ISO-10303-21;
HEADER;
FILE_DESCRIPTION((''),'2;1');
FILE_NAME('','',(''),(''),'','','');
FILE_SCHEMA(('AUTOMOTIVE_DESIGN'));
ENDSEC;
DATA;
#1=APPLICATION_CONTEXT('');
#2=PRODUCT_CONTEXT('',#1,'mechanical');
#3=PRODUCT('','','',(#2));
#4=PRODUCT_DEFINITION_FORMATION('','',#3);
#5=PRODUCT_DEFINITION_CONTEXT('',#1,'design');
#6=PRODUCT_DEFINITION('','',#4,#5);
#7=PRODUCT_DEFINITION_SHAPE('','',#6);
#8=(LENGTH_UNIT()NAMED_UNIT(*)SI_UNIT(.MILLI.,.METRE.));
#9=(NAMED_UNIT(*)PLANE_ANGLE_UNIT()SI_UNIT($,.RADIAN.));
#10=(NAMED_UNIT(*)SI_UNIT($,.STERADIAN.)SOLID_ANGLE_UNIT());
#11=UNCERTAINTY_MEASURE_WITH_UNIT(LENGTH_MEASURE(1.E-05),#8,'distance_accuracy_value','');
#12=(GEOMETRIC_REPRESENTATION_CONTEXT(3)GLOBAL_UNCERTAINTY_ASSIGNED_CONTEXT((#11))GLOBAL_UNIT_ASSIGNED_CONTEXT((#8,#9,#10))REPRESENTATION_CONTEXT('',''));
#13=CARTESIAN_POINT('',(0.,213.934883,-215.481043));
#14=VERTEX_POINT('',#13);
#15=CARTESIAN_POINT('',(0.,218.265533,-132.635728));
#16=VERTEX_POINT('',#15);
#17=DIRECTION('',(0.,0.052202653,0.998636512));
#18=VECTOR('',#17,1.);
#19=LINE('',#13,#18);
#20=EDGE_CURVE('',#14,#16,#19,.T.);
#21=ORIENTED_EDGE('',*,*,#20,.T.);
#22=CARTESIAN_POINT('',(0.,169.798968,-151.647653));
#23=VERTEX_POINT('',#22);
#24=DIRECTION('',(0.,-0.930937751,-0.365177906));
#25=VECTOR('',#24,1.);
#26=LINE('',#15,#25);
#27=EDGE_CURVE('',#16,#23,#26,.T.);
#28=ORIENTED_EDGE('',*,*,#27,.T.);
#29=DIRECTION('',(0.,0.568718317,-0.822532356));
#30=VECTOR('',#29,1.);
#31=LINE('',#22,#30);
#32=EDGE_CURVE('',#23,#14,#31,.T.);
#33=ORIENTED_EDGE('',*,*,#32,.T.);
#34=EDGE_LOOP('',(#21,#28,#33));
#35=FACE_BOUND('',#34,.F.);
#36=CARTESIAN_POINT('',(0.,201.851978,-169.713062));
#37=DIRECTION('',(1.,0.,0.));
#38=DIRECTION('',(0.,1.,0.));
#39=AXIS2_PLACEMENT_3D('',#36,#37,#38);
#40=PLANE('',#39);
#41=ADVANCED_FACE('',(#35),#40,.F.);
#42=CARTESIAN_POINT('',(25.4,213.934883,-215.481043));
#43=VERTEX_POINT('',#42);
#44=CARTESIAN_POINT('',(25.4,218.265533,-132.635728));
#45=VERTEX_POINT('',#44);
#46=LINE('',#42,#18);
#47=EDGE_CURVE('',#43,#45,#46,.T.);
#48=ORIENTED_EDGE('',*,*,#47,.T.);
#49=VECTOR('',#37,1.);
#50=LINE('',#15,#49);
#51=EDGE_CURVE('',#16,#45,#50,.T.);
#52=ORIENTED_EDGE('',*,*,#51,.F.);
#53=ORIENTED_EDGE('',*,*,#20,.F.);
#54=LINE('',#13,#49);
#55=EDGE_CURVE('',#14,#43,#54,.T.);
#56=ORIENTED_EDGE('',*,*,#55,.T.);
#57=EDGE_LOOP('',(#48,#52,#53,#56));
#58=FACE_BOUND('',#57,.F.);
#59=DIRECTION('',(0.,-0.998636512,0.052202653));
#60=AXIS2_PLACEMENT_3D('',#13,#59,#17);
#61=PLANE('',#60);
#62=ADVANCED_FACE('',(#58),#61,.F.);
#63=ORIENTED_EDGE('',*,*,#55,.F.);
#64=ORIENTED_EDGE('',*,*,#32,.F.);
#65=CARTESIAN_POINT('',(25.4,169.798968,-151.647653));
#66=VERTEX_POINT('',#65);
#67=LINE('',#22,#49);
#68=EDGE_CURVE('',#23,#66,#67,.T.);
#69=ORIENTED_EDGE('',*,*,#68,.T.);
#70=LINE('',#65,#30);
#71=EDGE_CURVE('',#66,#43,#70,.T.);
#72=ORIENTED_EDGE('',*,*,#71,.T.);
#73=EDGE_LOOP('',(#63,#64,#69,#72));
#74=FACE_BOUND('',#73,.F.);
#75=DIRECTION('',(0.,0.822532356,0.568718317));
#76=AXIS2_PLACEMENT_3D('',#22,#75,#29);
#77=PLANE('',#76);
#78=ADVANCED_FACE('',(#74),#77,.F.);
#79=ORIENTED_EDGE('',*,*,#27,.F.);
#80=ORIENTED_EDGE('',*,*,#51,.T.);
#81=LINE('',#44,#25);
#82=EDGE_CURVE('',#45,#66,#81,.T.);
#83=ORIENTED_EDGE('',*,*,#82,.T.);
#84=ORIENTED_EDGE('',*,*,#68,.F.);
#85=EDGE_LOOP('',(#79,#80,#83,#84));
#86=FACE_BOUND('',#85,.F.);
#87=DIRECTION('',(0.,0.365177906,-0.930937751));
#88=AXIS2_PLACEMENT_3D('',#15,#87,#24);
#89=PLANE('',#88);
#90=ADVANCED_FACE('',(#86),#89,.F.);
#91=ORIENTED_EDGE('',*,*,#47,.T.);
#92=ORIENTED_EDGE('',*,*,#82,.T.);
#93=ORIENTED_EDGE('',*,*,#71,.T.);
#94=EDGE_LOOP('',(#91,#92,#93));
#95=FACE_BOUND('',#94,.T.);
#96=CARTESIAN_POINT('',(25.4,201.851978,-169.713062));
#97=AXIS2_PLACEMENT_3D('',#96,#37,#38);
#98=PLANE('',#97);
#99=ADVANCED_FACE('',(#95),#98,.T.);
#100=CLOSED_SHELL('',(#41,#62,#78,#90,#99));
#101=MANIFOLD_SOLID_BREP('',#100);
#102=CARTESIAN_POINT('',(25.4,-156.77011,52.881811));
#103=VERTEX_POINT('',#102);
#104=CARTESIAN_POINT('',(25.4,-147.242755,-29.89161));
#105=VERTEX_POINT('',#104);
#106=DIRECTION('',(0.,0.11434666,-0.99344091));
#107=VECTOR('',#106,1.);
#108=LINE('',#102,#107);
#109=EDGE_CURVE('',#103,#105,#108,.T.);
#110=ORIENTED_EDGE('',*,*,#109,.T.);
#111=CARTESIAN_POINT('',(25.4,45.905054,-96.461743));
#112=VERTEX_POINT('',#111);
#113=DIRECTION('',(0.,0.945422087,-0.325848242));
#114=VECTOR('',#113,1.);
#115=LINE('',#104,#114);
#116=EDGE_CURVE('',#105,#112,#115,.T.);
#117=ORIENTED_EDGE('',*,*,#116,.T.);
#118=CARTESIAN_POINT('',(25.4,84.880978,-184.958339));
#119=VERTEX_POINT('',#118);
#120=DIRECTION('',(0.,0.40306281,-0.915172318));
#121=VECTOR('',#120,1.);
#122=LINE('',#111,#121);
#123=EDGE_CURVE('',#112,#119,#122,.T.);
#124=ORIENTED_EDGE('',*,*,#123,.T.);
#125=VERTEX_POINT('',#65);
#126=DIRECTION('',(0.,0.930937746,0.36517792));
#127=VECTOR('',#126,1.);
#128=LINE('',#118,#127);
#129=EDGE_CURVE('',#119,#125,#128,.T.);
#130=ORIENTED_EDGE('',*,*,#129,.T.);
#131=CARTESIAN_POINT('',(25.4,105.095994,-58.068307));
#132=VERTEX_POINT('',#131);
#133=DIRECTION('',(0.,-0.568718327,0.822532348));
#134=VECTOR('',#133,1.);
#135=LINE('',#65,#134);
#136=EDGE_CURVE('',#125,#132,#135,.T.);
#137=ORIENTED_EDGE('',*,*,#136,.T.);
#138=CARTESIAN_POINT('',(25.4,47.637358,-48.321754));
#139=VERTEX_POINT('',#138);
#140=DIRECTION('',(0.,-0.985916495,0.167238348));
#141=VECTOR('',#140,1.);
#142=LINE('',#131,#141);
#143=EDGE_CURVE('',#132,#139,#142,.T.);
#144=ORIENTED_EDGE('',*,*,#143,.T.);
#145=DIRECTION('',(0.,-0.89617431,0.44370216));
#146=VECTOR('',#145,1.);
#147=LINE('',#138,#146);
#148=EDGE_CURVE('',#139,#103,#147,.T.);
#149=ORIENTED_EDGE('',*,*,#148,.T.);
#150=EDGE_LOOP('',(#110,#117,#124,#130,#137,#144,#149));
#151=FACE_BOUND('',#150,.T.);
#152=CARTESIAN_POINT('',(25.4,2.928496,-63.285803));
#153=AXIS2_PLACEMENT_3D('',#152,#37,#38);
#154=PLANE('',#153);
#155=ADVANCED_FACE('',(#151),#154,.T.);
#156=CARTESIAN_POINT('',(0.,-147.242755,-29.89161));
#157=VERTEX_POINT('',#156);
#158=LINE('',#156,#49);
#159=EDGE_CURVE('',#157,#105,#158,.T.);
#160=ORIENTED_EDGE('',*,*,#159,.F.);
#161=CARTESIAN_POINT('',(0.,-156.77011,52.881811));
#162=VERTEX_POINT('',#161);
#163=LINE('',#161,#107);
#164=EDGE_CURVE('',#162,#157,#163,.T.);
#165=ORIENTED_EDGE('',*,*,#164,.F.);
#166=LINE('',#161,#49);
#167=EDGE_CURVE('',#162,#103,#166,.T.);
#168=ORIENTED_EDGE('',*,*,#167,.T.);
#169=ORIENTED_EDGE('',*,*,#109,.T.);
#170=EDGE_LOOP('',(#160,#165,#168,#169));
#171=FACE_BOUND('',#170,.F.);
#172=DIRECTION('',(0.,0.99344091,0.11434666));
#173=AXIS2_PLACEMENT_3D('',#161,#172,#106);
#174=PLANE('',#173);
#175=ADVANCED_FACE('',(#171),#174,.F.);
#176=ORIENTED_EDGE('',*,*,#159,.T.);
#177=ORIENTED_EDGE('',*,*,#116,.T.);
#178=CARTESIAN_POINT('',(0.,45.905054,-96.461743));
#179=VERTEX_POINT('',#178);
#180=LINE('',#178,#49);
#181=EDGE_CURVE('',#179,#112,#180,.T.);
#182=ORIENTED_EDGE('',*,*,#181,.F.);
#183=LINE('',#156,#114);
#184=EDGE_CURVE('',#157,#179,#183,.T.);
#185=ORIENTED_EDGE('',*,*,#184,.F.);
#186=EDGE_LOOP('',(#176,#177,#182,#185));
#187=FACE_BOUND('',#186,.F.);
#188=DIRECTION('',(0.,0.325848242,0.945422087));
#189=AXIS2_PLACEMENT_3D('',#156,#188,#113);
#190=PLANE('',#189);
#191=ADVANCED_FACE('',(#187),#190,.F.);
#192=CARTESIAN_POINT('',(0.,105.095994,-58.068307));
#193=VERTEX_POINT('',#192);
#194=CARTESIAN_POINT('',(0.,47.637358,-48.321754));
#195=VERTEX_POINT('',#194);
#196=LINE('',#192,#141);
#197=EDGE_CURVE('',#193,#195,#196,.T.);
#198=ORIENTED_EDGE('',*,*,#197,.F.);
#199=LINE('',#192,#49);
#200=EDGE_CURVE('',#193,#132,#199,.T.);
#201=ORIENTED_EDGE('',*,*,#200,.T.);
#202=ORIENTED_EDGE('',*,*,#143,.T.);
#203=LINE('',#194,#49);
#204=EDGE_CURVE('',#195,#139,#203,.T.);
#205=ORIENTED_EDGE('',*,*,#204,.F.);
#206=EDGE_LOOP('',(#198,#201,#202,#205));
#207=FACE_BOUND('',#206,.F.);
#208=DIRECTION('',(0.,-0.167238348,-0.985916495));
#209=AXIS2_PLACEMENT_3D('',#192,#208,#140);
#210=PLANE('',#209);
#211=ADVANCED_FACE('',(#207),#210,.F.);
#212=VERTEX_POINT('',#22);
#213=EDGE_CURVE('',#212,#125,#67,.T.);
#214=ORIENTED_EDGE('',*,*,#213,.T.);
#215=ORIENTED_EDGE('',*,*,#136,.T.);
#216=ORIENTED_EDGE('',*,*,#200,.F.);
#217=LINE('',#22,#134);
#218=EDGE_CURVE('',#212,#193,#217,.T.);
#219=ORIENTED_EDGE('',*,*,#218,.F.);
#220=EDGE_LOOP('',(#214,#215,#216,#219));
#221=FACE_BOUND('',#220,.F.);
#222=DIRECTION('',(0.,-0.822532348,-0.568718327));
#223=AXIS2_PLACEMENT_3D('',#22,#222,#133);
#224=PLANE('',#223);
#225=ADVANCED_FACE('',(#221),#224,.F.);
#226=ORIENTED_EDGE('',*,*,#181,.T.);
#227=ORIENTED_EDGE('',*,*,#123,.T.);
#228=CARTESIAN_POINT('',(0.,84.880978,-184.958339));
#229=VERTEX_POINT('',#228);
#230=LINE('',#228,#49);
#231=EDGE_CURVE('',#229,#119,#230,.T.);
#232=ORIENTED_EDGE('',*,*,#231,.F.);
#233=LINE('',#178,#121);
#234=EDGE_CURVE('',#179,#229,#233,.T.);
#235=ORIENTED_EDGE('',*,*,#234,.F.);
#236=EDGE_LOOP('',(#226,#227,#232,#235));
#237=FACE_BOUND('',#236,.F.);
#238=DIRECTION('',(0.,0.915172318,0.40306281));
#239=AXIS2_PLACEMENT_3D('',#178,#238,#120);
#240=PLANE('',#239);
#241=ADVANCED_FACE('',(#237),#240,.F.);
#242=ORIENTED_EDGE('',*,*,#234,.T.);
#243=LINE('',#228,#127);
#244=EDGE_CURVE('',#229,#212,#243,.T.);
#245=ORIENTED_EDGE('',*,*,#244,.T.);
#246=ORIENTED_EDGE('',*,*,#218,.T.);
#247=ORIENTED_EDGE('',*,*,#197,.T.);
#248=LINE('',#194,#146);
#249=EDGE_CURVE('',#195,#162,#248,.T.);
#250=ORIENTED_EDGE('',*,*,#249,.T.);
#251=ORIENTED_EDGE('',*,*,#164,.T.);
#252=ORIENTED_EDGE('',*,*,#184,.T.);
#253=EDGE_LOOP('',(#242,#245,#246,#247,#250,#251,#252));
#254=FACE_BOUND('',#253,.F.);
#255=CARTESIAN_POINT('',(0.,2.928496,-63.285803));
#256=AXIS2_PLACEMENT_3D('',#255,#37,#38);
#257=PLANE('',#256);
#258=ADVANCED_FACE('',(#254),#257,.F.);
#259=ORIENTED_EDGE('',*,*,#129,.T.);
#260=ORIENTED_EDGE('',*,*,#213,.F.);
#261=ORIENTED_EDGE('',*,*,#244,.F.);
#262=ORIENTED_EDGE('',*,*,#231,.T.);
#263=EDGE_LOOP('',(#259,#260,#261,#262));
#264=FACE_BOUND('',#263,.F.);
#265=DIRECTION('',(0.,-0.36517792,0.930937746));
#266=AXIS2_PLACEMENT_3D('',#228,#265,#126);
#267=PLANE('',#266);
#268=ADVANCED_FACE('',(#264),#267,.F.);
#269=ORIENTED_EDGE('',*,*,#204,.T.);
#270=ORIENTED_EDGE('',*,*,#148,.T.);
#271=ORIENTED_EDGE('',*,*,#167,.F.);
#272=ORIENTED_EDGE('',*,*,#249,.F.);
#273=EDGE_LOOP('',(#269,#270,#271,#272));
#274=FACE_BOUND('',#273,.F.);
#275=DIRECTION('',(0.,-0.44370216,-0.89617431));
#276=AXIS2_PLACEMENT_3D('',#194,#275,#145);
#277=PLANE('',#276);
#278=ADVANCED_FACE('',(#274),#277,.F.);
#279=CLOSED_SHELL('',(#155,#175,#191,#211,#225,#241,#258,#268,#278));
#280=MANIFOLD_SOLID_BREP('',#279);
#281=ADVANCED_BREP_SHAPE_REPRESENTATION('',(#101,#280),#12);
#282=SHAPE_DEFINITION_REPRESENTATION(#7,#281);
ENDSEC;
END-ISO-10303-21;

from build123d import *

# Parameters (mm, degrees)
F1_DEPTH = 25.4


with BuildPart() as f1:
    # F0 (on Right) → F1 (new body)
    with BuildSketch(Plane.YZ):
        Polygon((169.798968, -151.647653), (105.095994, -58.068307), (47.637358, -48.321754), (-156.77011, 52.881811), (-147.242755, -29.89161), (45.905054, -96.461743), (84.880978, -184.958339), align=None)
        Polygon((218.265533, -132.635728), (169.798968, -151.647653), (213.934883, -215.481043), align=None)
    extrude(amount=F1_DEPTH)


solid = f1.part
